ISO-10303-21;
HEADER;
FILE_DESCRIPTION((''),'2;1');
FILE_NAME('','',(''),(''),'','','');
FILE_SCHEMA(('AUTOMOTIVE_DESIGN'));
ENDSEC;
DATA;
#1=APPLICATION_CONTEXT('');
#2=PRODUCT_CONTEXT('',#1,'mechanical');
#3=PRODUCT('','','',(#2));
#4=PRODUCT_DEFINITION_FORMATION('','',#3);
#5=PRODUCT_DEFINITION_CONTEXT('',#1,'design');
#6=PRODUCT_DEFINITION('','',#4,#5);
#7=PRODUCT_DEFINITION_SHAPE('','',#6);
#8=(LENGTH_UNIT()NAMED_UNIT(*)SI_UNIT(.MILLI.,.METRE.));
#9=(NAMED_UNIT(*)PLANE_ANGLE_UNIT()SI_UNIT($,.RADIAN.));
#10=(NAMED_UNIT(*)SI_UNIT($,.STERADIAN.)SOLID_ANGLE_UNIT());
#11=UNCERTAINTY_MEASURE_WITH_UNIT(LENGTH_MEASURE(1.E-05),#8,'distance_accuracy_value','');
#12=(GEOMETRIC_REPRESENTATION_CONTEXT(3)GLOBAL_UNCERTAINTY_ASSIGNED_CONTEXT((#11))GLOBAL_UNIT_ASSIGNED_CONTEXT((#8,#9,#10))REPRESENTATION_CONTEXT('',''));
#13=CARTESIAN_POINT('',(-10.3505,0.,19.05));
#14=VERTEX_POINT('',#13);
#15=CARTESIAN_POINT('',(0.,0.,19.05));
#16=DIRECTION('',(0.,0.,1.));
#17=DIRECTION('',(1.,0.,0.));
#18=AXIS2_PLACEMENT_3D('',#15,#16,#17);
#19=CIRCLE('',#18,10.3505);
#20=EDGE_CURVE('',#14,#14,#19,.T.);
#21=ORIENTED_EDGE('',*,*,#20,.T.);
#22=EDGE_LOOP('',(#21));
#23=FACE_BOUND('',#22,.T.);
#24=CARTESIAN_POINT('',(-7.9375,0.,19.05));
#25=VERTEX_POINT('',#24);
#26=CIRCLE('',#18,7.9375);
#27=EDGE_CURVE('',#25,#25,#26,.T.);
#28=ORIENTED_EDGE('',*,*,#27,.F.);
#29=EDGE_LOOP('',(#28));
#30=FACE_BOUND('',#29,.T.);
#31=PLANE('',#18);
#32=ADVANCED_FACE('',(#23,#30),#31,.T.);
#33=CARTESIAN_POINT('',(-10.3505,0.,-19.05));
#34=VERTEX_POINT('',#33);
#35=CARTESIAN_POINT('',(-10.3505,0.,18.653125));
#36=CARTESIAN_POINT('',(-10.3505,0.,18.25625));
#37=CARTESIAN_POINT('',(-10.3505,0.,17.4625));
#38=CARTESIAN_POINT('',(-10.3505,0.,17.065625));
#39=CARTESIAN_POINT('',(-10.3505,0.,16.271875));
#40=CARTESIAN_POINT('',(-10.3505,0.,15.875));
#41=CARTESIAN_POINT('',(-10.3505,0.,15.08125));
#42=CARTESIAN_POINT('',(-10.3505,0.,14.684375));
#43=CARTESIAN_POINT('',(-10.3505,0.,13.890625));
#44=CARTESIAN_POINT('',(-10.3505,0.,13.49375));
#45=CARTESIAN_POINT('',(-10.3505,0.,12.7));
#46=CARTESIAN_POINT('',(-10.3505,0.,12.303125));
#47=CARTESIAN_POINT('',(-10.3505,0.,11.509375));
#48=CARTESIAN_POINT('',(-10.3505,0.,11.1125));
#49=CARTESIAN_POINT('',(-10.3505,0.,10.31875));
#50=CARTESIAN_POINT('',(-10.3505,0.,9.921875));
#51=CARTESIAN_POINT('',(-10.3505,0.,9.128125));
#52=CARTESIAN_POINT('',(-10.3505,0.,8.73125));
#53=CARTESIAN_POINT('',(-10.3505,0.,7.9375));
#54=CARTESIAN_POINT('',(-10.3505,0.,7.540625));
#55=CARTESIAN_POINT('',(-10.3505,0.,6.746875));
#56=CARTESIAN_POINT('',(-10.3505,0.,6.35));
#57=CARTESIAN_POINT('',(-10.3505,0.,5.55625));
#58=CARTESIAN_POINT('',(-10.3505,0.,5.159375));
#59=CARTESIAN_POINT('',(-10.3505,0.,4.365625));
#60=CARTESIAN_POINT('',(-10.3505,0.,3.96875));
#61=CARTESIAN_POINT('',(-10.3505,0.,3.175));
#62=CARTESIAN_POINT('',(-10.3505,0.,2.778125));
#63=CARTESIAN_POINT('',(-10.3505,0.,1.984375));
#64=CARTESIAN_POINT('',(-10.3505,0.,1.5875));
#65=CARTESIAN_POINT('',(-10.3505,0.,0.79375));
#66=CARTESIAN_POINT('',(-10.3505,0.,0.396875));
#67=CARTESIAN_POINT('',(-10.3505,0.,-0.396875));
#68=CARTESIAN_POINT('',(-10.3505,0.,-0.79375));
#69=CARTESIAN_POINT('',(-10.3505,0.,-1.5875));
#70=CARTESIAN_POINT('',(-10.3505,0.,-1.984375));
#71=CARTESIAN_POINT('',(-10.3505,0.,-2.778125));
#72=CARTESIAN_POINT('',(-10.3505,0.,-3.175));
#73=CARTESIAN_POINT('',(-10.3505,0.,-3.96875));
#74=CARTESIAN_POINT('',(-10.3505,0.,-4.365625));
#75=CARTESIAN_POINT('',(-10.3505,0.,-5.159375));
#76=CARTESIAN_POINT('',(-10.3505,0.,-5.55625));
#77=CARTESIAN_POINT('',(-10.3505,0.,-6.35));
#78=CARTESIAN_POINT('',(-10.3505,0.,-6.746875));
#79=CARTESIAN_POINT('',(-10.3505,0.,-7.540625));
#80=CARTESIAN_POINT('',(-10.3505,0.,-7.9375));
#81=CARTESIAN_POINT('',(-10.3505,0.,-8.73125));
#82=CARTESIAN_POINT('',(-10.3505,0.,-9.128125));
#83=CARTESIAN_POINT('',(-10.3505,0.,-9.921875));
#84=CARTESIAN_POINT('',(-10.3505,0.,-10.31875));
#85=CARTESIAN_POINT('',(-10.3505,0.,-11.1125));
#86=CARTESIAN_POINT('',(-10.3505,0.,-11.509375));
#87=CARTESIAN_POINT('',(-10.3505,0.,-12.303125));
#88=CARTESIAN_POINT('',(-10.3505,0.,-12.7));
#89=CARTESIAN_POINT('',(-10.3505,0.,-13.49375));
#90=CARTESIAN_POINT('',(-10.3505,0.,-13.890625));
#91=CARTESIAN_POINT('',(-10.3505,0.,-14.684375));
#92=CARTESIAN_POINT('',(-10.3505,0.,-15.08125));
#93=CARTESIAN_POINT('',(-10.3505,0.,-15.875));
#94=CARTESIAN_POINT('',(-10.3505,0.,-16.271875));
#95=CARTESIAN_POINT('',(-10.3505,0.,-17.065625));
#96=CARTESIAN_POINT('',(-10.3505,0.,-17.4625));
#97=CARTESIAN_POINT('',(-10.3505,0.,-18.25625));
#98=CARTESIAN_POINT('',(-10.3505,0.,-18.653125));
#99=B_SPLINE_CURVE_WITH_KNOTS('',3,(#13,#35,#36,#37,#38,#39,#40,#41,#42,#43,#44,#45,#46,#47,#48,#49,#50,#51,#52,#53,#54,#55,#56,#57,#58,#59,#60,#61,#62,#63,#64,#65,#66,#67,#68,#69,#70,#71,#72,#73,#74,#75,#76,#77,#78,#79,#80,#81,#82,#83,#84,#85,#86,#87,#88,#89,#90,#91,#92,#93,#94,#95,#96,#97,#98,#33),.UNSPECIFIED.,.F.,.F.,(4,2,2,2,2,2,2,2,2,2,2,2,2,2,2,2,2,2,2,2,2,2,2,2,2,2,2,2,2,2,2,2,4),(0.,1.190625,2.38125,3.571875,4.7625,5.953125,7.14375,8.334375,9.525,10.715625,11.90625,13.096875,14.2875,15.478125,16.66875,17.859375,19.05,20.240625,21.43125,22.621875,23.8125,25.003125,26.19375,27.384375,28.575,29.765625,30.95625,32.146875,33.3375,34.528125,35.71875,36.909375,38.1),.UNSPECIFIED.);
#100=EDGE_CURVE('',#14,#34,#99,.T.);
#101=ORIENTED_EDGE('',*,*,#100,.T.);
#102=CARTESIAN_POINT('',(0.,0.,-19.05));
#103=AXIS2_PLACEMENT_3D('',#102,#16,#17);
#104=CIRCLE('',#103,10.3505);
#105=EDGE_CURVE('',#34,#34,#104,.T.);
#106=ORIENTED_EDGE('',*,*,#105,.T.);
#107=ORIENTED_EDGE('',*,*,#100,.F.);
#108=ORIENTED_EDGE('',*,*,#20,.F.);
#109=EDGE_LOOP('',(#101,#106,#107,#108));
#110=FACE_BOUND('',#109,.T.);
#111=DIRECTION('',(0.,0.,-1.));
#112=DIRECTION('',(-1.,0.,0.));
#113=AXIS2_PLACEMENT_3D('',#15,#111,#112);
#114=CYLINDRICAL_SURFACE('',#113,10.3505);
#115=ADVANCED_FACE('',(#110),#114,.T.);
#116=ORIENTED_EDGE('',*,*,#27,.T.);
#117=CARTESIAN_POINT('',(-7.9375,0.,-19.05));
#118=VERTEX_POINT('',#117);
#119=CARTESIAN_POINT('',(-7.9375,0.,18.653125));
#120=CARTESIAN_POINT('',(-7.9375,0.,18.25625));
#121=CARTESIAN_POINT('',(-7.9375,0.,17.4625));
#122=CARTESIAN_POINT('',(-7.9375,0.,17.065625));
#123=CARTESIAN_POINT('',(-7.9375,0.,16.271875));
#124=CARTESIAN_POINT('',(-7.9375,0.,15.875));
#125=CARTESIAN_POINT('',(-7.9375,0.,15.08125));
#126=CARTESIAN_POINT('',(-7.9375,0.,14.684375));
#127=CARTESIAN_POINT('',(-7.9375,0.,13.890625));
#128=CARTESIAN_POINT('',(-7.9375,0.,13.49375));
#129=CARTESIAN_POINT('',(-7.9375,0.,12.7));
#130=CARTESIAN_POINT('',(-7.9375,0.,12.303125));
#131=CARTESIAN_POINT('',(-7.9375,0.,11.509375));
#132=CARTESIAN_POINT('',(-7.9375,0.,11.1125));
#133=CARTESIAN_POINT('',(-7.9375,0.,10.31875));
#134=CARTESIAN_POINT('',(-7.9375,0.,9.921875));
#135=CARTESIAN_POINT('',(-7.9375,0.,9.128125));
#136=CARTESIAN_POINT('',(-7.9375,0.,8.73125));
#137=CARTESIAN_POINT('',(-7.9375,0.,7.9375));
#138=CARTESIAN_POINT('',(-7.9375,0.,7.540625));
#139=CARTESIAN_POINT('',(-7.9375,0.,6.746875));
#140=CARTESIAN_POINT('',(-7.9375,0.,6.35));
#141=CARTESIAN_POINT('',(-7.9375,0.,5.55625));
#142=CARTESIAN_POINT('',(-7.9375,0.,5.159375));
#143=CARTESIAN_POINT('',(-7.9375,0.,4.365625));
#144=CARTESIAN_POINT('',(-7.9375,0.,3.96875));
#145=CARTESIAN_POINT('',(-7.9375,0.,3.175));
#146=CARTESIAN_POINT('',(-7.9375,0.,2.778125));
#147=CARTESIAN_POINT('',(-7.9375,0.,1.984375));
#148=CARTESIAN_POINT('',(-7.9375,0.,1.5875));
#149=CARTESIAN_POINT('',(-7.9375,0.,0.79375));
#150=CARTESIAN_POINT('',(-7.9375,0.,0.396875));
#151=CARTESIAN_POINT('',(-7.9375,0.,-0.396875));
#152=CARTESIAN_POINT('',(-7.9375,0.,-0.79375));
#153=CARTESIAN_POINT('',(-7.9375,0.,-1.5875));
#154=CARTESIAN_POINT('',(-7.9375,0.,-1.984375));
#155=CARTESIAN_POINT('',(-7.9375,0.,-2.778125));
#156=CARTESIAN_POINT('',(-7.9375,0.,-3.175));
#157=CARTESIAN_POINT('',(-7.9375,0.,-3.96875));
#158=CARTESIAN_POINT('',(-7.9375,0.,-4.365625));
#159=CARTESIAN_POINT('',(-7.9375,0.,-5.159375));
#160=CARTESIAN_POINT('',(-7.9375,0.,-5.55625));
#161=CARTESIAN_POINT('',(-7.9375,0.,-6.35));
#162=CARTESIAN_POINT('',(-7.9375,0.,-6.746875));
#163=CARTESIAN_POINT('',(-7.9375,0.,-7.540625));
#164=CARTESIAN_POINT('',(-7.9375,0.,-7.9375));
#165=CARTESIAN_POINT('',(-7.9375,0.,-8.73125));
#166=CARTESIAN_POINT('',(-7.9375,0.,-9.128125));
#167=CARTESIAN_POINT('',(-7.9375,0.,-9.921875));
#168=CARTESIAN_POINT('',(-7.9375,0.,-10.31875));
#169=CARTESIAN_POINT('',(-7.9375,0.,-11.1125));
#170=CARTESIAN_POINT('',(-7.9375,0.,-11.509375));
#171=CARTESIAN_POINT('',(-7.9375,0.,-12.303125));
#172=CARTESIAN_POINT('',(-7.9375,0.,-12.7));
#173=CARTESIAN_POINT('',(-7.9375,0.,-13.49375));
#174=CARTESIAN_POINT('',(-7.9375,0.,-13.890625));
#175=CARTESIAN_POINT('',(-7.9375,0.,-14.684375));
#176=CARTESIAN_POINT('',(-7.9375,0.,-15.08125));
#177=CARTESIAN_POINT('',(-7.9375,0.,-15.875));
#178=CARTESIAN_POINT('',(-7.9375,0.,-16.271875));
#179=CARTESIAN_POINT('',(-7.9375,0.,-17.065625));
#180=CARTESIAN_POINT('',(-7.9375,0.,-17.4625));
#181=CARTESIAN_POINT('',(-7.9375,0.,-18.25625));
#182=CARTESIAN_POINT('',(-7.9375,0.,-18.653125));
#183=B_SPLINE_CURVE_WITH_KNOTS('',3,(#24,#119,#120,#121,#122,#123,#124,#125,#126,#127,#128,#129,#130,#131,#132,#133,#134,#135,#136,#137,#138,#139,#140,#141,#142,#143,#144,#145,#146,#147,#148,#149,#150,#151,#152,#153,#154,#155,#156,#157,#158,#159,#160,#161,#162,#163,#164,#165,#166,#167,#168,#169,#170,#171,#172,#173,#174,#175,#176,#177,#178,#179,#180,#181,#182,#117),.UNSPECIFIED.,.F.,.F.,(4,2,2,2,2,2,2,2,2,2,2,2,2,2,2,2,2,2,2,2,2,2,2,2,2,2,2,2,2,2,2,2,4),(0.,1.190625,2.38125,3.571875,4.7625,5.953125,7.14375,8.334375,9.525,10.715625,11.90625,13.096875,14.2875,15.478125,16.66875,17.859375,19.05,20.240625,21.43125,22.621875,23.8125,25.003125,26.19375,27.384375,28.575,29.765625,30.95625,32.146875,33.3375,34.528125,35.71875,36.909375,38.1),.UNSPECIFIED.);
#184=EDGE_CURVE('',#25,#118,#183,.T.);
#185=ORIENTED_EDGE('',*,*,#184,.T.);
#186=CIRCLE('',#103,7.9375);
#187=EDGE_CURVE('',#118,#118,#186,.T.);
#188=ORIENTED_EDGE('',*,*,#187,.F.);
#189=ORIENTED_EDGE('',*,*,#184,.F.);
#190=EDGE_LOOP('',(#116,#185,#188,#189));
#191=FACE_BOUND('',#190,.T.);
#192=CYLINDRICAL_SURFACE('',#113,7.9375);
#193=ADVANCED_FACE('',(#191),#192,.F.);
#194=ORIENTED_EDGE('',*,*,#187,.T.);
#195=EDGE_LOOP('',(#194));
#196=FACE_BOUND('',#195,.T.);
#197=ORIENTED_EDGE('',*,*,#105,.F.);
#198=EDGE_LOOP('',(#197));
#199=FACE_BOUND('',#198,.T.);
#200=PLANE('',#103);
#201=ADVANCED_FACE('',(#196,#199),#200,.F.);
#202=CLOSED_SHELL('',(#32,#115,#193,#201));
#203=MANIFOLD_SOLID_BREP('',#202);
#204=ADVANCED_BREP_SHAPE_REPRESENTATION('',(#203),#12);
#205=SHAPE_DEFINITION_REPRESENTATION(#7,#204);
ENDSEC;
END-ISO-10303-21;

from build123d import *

# Parameters (mm, degrees)
SKETCH5_R           = 10.3505
SKETCH5_R_2         = 7.9375
BOSS_EXTRUDE1_DEPTH = 19.05


with BuildPart() as part:
    # Sketch5 → Boss-Extrude1 (new, symmetric)
    with BuildSketch(Plane.XY):
        with Locations(Location((0, 0, 0), (0, 0, 180))):
            Circle(SKETCH5_R)
        with Locations(Location((0, 0, 0), (0, 0, 180))):
            Circle(SKETCH5_R_2, mode=Mode.SUBTRACT)
    extrude(amount=BOSS_EXTRUDE1_DEPTH, both=True)


solid = part.part
